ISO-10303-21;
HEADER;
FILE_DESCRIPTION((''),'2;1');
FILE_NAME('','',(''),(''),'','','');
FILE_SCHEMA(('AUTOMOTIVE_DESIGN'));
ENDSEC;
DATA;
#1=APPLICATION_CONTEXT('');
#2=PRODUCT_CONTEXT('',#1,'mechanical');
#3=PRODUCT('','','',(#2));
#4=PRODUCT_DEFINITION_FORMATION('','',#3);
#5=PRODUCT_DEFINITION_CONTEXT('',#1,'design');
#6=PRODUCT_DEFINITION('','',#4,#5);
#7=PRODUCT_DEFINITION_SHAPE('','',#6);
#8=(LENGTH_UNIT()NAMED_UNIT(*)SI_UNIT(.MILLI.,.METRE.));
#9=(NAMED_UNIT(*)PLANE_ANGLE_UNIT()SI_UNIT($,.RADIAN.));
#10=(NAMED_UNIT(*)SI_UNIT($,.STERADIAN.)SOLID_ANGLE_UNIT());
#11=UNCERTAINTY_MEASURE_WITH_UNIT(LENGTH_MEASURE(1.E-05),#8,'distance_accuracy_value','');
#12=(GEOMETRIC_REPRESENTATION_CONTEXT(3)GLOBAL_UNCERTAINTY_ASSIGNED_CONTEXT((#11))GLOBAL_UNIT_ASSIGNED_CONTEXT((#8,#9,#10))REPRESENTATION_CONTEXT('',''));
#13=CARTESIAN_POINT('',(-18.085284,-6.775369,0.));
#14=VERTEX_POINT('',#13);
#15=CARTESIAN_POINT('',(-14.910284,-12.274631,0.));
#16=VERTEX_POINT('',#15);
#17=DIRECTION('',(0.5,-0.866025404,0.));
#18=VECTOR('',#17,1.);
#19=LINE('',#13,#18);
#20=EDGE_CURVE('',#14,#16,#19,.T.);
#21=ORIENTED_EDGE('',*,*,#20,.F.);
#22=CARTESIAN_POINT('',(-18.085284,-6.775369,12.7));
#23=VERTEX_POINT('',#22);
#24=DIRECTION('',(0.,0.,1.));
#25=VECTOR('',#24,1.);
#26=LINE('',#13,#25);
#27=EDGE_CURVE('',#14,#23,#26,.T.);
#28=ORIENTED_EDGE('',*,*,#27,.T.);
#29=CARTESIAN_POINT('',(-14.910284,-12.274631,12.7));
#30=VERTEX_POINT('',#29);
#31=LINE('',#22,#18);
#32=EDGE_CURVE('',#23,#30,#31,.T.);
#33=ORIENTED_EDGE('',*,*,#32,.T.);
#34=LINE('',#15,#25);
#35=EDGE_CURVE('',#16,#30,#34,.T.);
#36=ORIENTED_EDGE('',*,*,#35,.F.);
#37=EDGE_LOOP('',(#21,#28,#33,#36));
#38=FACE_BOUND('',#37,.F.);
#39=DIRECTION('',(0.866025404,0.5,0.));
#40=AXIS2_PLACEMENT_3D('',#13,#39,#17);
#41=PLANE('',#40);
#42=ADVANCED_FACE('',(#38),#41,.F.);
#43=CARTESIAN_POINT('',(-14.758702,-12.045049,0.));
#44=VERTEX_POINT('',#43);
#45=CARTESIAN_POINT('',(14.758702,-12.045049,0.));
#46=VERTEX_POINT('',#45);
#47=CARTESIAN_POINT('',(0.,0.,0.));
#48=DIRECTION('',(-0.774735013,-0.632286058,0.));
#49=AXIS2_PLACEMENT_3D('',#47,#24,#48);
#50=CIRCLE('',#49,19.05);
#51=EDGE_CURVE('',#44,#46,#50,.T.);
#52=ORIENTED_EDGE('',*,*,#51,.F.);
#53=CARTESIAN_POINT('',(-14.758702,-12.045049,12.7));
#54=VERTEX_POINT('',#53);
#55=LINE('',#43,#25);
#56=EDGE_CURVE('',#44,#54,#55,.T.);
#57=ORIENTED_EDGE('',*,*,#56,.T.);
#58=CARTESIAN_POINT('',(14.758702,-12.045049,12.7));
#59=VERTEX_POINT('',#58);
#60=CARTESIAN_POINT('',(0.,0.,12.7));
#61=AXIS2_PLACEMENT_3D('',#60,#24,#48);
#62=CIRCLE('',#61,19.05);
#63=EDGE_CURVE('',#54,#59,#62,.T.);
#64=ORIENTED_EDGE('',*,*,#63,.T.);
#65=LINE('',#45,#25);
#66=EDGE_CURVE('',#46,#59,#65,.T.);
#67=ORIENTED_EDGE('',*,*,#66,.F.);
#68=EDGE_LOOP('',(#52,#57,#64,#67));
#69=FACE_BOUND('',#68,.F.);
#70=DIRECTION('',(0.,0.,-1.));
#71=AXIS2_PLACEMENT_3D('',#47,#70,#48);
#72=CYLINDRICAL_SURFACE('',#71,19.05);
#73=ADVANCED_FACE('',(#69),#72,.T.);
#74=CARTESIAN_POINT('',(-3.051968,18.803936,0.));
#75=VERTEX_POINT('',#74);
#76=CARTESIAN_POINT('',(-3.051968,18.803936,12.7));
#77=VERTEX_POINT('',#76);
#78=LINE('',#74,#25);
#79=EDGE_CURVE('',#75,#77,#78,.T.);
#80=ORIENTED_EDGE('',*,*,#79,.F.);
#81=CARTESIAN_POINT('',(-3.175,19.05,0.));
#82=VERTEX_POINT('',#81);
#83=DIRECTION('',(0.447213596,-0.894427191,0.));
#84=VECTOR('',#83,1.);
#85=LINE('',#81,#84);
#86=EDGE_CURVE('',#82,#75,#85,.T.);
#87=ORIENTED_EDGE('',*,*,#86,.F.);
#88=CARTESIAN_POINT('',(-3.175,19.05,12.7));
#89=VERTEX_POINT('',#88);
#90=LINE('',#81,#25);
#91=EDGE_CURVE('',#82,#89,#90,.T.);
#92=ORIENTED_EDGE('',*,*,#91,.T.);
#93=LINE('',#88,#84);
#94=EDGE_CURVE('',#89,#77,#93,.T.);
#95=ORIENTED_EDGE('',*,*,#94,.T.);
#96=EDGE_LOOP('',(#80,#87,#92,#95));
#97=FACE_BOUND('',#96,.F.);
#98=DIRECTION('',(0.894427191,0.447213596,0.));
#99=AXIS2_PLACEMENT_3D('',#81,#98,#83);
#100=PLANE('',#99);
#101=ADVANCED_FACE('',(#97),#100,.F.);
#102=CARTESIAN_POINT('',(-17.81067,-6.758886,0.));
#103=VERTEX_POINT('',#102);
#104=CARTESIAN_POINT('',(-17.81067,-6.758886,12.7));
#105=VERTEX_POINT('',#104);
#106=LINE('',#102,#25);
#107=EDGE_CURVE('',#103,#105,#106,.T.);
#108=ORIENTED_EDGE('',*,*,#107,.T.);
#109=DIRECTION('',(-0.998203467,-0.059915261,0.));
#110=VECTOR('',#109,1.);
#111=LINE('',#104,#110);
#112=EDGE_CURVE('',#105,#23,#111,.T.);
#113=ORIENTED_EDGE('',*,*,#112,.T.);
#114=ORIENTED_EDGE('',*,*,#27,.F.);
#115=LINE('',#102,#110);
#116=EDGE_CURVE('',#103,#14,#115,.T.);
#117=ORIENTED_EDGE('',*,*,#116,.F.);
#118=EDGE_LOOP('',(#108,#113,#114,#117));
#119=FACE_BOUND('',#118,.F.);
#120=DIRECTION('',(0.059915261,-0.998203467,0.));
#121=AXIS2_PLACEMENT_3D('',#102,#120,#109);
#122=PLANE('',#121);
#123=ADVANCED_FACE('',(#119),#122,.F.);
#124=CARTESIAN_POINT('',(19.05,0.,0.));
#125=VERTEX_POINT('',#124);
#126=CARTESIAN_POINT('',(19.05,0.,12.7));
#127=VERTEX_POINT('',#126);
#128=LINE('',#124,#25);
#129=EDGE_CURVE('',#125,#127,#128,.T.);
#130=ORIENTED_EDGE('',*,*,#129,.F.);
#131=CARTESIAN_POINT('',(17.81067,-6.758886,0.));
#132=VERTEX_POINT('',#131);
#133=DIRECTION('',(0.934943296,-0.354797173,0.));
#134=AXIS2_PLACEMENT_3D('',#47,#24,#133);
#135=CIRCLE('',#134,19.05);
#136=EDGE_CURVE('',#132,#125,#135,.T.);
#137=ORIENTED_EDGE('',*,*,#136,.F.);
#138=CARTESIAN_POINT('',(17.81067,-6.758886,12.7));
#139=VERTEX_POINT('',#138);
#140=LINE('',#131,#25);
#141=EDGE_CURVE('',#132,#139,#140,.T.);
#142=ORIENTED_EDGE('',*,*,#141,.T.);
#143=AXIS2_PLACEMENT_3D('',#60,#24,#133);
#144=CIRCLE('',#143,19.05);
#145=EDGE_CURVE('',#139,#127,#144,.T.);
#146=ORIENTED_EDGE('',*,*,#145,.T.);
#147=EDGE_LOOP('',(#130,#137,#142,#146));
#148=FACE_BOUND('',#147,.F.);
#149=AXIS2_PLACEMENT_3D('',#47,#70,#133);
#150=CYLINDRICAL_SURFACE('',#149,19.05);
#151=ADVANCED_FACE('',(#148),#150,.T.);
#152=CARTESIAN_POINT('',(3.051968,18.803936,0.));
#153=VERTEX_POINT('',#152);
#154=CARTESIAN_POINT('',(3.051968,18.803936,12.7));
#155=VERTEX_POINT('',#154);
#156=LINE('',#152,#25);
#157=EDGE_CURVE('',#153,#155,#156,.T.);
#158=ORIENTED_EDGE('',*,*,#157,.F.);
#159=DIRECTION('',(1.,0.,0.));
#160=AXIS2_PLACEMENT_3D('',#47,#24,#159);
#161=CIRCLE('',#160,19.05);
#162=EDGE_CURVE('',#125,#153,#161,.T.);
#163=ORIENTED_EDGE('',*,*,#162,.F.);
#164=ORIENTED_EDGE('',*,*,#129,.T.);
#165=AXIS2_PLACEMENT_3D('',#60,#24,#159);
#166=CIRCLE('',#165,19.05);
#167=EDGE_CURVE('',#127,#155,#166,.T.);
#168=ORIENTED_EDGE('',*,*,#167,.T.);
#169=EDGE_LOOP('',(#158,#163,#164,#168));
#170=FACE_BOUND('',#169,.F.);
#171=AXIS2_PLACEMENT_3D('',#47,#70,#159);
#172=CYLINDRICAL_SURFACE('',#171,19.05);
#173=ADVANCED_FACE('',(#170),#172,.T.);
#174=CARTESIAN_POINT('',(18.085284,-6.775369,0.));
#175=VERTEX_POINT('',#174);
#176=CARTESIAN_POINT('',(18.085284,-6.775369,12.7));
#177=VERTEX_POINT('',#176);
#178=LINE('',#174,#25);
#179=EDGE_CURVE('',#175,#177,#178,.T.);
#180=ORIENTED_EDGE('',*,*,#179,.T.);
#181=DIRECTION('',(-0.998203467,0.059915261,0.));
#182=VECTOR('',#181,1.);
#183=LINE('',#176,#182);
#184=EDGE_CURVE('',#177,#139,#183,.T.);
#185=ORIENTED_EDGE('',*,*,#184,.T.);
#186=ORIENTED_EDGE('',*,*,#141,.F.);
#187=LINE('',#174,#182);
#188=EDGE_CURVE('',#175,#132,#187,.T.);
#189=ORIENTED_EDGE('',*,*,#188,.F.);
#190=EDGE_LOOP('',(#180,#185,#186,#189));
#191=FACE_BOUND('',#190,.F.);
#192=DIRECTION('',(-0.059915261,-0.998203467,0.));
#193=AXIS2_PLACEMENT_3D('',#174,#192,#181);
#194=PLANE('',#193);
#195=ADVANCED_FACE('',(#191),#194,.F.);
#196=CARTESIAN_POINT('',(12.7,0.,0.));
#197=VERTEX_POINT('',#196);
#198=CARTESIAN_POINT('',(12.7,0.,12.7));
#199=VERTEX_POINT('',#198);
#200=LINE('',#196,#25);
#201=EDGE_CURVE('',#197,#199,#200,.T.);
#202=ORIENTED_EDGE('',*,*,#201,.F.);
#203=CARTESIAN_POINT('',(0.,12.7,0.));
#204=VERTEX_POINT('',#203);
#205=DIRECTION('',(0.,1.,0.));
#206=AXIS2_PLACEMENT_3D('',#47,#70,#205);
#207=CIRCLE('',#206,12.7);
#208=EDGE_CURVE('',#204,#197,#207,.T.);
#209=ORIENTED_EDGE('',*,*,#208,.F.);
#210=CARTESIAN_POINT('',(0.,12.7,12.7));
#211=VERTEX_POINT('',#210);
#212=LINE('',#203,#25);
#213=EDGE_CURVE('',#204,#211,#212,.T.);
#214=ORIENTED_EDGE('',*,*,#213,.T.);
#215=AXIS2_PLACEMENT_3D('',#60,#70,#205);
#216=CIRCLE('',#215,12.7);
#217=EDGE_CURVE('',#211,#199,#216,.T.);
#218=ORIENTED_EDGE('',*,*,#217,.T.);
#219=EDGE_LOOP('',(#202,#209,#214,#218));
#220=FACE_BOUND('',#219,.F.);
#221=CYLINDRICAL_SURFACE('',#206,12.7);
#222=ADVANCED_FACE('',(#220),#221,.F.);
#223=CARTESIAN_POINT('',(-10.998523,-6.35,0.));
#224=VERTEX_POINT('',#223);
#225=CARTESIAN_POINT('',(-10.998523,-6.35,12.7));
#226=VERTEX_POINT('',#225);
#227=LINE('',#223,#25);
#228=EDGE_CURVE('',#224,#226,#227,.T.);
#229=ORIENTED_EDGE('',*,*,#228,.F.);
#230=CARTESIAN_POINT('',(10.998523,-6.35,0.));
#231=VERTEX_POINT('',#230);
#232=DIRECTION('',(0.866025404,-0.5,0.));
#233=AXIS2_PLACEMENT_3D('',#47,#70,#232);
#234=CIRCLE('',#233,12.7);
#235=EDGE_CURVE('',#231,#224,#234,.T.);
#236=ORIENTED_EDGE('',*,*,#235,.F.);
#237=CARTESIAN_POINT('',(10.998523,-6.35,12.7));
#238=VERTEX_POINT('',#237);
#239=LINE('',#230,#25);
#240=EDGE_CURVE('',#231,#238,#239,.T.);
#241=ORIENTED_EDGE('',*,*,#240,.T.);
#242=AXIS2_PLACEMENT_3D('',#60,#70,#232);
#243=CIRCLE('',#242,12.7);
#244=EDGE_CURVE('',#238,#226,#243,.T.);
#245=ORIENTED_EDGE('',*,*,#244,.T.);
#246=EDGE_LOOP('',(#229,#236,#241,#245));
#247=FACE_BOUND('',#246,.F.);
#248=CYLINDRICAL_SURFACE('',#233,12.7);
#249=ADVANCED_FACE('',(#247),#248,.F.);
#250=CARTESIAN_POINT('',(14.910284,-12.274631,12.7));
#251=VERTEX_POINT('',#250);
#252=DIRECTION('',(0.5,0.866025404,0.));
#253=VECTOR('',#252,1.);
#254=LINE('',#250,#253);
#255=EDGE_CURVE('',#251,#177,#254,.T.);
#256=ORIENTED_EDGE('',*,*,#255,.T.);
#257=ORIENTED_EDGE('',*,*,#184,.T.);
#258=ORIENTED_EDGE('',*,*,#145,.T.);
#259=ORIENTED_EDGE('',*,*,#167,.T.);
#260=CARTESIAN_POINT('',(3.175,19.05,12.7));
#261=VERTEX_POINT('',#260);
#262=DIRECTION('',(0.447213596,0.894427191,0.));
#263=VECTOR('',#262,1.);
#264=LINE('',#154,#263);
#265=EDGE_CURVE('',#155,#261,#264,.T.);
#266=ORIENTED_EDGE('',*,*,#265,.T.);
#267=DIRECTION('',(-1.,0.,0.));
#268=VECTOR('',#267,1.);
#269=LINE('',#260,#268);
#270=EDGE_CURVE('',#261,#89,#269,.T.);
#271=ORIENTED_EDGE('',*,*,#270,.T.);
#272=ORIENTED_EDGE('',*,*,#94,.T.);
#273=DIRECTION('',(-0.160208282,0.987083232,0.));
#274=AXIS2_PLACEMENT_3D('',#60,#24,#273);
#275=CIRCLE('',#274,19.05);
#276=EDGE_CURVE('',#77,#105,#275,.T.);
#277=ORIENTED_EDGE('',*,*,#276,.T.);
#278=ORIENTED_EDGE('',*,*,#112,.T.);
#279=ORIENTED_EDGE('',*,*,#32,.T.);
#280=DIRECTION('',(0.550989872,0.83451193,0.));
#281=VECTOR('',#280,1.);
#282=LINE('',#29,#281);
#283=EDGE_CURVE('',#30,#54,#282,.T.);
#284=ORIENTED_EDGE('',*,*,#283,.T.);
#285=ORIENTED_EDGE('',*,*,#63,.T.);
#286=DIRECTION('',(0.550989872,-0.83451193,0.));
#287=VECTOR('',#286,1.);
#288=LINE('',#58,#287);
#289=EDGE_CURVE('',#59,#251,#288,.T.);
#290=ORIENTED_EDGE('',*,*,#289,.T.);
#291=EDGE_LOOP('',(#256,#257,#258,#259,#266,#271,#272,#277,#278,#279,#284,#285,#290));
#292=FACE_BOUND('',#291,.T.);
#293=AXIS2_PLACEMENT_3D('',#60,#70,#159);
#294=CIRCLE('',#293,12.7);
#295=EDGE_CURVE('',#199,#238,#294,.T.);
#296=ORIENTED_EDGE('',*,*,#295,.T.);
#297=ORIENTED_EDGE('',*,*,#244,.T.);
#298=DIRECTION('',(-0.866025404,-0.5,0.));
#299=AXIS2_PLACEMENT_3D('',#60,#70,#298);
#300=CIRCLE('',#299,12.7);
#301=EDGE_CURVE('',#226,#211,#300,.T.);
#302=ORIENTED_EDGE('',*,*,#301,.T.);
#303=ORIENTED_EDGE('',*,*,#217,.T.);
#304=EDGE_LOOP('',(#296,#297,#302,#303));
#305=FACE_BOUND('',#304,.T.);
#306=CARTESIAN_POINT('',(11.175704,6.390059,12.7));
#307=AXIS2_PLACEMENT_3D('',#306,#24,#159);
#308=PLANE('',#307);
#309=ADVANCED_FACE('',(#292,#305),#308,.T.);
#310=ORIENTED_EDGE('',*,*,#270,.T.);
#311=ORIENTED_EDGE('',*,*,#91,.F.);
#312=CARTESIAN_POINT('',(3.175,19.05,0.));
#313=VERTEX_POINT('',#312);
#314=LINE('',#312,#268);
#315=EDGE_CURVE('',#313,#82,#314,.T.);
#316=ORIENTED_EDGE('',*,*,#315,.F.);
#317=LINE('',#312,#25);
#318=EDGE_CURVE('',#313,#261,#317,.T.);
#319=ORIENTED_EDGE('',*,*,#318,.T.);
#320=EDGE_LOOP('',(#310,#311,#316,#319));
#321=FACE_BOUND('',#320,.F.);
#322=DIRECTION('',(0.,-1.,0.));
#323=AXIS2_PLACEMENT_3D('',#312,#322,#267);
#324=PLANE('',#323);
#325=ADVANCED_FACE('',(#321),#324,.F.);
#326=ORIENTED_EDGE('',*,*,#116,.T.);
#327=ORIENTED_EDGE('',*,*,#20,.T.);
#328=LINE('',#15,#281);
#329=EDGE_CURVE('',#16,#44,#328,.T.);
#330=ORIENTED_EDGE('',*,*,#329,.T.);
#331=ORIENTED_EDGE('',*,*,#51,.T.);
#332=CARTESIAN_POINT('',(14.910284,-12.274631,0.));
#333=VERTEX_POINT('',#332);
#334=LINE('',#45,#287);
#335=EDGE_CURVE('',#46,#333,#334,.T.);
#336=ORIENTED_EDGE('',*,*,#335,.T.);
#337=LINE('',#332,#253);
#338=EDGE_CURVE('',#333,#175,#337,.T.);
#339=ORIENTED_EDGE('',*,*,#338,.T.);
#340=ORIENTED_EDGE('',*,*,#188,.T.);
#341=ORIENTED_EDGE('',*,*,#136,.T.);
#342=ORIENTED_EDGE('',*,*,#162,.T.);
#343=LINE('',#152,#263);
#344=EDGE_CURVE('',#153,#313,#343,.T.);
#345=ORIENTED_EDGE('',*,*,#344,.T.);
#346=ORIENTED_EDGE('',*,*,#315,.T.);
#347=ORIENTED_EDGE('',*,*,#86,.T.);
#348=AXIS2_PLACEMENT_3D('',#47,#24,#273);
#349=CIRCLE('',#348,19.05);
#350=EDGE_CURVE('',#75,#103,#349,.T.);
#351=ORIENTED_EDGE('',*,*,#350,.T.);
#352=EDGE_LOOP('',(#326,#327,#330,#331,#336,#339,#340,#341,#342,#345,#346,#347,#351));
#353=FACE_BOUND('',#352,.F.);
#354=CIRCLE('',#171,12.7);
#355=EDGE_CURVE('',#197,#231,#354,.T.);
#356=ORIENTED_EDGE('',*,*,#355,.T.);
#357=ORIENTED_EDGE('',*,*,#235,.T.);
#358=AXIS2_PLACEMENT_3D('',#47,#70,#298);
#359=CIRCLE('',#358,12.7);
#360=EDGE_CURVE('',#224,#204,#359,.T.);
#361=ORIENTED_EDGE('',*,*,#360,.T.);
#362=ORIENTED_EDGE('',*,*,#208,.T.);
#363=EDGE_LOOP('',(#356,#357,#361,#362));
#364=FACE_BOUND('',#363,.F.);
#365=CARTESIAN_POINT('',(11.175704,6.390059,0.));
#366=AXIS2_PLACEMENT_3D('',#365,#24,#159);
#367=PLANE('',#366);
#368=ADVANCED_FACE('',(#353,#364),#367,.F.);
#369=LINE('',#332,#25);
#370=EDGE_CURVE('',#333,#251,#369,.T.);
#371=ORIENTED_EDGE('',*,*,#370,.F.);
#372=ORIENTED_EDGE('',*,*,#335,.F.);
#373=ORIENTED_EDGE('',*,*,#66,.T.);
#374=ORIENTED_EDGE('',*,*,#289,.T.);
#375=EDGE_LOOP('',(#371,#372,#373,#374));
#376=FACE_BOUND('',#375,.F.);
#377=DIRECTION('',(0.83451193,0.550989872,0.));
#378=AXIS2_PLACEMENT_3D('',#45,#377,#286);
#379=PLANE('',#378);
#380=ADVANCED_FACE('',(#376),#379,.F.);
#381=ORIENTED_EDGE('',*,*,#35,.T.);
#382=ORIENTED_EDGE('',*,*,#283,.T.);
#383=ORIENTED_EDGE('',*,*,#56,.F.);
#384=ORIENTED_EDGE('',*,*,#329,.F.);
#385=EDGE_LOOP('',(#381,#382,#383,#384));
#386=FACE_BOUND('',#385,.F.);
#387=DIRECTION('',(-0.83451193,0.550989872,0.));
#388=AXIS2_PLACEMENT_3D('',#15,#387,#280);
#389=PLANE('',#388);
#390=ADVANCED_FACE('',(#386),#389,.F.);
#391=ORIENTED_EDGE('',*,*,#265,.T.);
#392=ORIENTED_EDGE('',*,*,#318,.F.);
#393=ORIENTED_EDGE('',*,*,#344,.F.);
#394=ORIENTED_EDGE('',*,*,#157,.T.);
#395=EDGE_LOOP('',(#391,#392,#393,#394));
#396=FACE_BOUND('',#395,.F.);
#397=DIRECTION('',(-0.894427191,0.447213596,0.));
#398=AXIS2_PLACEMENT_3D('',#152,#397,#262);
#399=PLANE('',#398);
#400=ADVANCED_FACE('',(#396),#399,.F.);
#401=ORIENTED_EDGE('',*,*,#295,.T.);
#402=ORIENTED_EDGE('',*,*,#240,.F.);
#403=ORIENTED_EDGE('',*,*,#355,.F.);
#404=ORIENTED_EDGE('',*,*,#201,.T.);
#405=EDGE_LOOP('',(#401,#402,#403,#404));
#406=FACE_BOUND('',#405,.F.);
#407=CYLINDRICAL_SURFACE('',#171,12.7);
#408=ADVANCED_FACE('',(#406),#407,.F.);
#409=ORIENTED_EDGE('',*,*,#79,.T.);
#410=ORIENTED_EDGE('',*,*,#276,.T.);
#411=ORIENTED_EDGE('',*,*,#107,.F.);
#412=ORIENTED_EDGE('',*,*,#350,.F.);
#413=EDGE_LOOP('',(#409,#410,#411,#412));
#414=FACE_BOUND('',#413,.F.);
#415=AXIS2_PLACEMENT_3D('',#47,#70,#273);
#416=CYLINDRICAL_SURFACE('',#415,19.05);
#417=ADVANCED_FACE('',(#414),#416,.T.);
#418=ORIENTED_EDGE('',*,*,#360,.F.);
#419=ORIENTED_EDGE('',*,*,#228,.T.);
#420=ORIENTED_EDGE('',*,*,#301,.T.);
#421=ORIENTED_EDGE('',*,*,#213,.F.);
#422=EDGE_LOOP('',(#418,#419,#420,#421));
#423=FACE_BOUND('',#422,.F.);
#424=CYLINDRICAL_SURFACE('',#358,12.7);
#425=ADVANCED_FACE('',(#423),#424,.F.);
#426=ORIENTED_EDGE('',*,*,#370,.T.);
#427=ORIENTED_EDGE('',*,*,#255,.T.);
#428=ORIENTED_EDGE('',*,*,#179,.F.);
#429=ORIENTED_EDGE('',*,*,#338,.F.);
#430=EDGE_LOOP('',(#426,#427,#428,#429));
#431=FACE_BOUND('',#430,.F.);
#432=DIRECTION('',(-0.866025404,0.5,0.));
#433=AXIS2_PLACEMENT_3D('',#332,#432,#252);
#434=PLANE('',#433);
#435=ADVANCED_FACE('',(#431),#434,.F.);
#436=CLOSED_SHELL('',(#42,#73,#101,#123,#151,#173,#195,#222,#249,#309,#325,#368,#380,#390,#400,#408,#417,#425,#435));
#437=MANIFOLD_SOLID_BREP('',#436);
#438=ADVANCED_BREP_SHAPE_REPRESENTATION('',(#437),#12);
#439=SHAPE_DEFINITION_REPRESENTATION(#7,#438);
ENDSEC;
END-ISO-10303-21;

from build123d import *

# Parameters (mm, degrees)
F1_DEPTH = 12.7


with BuildPart() as f1:
    # F0 (on Top) → F1 (new body)
    with BuildSketch(Plane.XY):
        with BuildLine():
            ThreePointArc((0, 12.7), (8.9802561211, 8.9802561211), (12.7, 0))
            ThreePointArc((12.7, 0), (12.2672579939, -3.2870018728), (10.9985226281, -6.35))
            Line((10.9985226281, -6.35), (17.8106697795, -6.7588861512))
            ThreePointArc((17.8106697795, -6.7588861512), (18.7376060277, -3.4357852596), (19.05, 0))
            ThreePointArc((19.05, 0), (14.5093501963, 12.3442803306), (3.0519677815, 18.8039355631))
            Line((3.0519677815, 18.8039355631), (0, 12.7))
        make_face()
        with BuildLine():
            Line((-3.0519677815, 18.8039355631), (0, 12.7))
            Line((0, 12.7), (0, 19.05))
            ThreePointArc((0, 19.05), (-1.5309355838, 18.9883842451), (-3.0519677815, 18.8039355631))
        make_face()
        with BuildLine():
            ThreePointArc((-10.9985226281, -6.35), (-10.9985226281, 6.35), (0, 12.7))
            Line((0, 12.7), (-3.0519677815, 18.8039355631))
            ThreePointArc((-3.0519677815, 18.8039355631), (-16.4977839421, 9.525), (-17.8106697795, -6.7588861512))
            Line((-17.8106697795, -6.7588861512), (-10.9985226281, -6.35))
        make_face()
        with BuildLine():
            Line((0, 19.05), (0, 12.7))
            Line((0, 12.7), (3.0519677815, 18.8039355631))
            ThreePointArc((3.0519677815, 18.8039355631), (1.5309355838, 18.9883842451), (0, 19.05))
        make_face()
        with BuildLine():
            Line((14.758701998, -12.0450494119), (10.9985226281, -6.35))
            ThreePointArc((10.9985226281, -6.35), (0, -12.7), (-10.9985226281, -6.35))
            Line((-10.9985226281, -6.35), (-14.758701998, -12.0450494119))
            ThreePointArc((-14.758701998, -12.0450494119), (0, -19.05), (14.758701998, -12.0450494119))
        make_face()
        with BuildLine():
            Line((17.8106697795, -6.7588861512), (10.9985226281, -6.35))
            Line((10.9985226281, -6.35), (16.4977839421, -9.525))
            ThreePointArc((16.4977839421, -9.525), (17.2098909249, -8.1683630154), (17.8106697795, -6.7588861512))
        make_face()
        with BuildLine():
            Line((16.4977839421, -9.525), (10.9985226281, -6.35))
            Line((10.9985226281, -6.35), (14.758701998, -12.0450494119))
            ThreePointArc((14.758701998, -12.0450494119), (15.6789553412, -10.8200212296), (16.4977839421, -9.525))
        make_face()
        with BuildLine():
            Line((-14.758701998, -12.0450494119), (-10.9985226281, -6.35))
            Line((-10.9985226281, -6.35), (-16.4977839421, -9.525))
            ThreePointArc((-16.4977839421, -9.525), (-15.6789553412, -10.8200212296), (-14.758701998, -12.0450494119))
        make_face()
        with BuildLine():
            Line((-16.4977839421, -9.525), (-10.9985226281, -6.35))
            Line((-10.9985226281, -6.35), (-17.8106697795, -6.7588861512))
            ThreePointArc((-17.8106697795, -6.7588861512), (-17.2098909249, -8.1683630154), (-16.4977839421, -9.525))
        make_face()
        with BuildLine():
            Line((3.175, 19.05), (0, 19.05))
            ThreePointArc((0, 19.05), (1.5309355838, 18.9883842451), (3.0519677815, 18.8039355631))
            Line((3.0519677815, 18.8039355631), (3.175, 19.05))
        make_face()
        with BuildLine():
            ThreePointArc((-3.0519677815, 18.8039355631), (-1.5309355838, 18.9883842451), (0, 19.05))
            Line((0, 19.05), (-3.175, 19.05))
            Line((-3.175, 19.05), (-3.0519677815, 18.8039355631))
        make_face()
        with BuildLine():
            Line((14.9102839421, -12.274630657), (16.4977839421, -9.525))
            ThreePointArc((16.4977839421, -9.525), (15.6789553412, -10.8200212296), (14.758701998, -12.0450494119))
            Line((14.758701998, -12.0450494119), (14.9102839421, -12.274630657))
        make_face()
        with BuildLine():
            ThreePointArc((17.8106697795, -6.7588861512), (17.2098909249, -8.1683630154), (16.4977839421, -9.525))
            Line((16.4977839421, -9.525), (18.0852839421, -6.775369343))
            Line((18.0852839421, -6.775369343), (17.8106697795, -6.7588861512))
        make_face()
        with BuildLine():
            Line((-18.0852839421, -6.775369343), (-16.4977839421, -9.525))
            ThreePointArc((-16.4977839421, -9.525), (-17.2098909249, -8.1683630154), (-17.8106697795, -6.7588861512))
            Line((-17.8106697795, -6.7588861512), (-18.0852839421, -6.775369343))
        make_face()
        with BuildLine():
            ThreePointArc((-14.758701998, -12.0450494119), (-15.6789553412, -10.8200212296), (-16.4977839421, -9.525))
            Line((-16.4977839421, -9.525), (-14.9102839421, -12.274630657))
            Line((-14.9102839421, -12.274630657), (-14.758701998, -12.0450494119))
        make_face()
    extrude(amount=F1_DEPTH)


solid = f1.part
